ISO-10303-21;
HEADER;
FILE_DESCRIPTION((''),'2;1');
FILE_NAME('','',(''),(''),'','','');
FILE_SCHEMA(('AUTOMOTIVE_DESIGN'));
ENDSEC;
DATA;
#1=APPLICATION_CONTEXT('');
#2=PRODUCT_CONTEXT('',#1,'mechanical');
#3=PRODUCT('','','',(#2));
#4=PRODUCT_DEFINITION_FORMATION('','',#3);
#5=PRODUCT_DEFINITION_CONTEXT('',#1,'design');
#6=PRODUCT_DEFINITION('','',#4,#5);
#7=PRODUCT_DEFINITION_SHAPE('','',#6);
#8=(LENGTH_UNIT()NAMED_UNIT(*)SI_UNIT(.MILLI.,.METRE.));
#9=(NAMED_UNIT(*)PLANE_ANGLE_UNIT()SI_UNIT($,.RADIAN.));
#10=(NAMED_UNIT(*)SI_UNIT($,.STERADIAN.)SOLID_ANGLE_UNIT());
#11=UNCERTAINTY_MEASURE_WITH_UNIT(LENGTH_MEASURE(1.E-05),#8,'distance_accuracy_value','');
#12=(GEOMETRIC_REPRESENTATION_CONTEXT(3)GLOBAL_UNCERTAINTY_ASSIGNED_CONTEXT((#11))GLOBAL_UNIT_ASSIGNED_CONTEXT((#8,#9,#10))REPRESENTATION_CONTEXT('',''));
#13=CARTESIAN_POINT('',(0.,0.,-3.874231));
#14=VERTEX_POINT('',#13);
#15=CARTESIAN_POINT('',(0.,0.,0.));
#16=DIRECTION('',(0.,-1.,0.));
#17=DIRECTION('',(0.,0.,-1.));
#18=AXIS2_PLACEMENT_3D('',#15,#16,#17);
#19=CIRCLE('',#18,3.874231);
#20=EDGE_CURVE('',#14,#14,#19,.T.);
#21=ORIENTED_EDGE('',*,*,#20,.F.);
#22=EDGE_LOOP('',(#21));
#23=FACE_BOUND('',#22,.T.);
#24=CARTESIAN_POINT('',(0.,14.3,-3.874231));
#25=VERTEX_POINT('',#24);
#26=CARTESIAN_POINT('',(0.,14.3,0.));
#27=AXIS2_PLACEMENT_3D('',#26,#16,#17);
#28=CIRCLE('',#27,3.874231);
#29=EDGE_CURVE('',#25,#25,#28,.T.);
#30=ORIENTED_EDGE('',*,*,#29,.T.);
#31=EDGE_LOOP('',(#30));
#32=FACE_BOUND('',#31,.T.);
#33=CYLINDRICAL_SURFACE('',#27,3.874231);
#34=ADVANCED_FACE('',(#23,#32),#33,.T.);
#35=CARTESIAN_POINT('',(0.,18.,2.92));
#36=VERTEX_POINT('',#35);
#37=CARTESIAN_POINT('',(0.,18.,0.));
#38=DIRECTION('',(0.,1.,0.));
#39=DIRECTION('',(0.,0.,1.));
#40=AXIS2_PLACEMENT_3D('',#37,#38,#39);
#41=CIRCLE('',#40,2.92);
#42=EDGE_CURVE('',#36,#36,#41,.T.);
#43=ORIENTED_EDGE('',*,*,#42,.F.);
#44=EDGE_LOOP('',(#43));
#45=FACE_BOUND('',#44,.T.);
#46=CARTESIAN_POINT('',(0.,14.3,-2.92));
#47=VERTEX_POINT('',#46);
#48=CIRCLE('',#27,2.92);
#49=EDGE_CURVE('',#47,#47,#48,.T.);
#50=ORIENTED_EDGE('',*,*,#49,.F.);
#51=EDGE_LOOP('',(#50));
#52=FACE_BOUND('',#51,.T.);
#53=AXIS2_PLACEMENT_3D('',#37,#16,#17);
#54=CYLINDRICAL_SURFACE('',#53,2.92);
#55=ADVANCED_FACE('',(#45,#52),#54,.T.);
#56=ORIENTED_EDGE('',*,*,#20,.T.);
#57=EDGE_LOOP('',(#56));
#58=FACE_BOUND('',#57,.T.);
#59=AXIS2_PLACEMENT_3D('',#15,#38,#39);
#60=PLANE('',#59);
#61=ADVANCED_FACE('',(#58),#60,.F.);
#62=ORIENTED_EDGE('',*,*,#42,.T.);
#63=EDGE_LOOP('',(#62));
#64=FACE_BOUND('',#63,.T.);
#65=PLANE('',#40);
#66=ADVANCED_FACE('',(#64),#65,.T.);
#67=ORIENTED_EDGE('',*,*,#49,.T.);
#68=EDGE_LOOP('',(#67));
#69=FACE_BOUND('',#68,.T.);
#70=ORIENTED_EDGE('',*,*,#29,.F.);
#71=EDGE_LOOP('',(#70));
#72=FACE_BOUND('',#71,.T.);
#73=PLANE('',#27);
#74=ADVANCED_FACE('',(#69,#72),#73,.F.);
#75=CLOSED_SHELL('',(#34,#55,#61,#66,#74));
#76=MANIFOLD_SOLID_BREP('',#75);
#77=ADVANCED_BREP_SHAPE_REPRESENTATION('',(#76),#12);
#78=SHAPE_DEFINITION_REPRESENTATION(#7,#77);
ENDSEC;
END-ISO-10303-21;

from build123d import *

# Parameters (mm, degrees)
SKETCH_1_R      = 2.92
EXTRUDE_1_DEPTH = 18
SKETCH_2_R      = 3.874230649
EXTRUDE_3_DEPTH = 14.3


with BuildPart() as part:
    # 草圖1 → 填料-伸長1 (new body)
    with BuildSketch(Plane(origin=(0, 0, 0), x_dir=(1, 0, 0), z_dir=(0, 1, 0))):
        with Locations(Location((0, 0, 0), (0, 0, 270))):
            Circle(SKETCH_1_R)
    extrude(amount=EXTRUDE_1_DEPTH)

    # 草圖2 → 填料-伸長3 (add)
    with BuildSketch(Plane.XZ):
        with Locations(Location((0, 0, 0), (0, 0, 270))):
            Circle(SKETCH_2_R)
    extrude(amount=-EXTRUDE_3_DEPTH)


solid = part.part
